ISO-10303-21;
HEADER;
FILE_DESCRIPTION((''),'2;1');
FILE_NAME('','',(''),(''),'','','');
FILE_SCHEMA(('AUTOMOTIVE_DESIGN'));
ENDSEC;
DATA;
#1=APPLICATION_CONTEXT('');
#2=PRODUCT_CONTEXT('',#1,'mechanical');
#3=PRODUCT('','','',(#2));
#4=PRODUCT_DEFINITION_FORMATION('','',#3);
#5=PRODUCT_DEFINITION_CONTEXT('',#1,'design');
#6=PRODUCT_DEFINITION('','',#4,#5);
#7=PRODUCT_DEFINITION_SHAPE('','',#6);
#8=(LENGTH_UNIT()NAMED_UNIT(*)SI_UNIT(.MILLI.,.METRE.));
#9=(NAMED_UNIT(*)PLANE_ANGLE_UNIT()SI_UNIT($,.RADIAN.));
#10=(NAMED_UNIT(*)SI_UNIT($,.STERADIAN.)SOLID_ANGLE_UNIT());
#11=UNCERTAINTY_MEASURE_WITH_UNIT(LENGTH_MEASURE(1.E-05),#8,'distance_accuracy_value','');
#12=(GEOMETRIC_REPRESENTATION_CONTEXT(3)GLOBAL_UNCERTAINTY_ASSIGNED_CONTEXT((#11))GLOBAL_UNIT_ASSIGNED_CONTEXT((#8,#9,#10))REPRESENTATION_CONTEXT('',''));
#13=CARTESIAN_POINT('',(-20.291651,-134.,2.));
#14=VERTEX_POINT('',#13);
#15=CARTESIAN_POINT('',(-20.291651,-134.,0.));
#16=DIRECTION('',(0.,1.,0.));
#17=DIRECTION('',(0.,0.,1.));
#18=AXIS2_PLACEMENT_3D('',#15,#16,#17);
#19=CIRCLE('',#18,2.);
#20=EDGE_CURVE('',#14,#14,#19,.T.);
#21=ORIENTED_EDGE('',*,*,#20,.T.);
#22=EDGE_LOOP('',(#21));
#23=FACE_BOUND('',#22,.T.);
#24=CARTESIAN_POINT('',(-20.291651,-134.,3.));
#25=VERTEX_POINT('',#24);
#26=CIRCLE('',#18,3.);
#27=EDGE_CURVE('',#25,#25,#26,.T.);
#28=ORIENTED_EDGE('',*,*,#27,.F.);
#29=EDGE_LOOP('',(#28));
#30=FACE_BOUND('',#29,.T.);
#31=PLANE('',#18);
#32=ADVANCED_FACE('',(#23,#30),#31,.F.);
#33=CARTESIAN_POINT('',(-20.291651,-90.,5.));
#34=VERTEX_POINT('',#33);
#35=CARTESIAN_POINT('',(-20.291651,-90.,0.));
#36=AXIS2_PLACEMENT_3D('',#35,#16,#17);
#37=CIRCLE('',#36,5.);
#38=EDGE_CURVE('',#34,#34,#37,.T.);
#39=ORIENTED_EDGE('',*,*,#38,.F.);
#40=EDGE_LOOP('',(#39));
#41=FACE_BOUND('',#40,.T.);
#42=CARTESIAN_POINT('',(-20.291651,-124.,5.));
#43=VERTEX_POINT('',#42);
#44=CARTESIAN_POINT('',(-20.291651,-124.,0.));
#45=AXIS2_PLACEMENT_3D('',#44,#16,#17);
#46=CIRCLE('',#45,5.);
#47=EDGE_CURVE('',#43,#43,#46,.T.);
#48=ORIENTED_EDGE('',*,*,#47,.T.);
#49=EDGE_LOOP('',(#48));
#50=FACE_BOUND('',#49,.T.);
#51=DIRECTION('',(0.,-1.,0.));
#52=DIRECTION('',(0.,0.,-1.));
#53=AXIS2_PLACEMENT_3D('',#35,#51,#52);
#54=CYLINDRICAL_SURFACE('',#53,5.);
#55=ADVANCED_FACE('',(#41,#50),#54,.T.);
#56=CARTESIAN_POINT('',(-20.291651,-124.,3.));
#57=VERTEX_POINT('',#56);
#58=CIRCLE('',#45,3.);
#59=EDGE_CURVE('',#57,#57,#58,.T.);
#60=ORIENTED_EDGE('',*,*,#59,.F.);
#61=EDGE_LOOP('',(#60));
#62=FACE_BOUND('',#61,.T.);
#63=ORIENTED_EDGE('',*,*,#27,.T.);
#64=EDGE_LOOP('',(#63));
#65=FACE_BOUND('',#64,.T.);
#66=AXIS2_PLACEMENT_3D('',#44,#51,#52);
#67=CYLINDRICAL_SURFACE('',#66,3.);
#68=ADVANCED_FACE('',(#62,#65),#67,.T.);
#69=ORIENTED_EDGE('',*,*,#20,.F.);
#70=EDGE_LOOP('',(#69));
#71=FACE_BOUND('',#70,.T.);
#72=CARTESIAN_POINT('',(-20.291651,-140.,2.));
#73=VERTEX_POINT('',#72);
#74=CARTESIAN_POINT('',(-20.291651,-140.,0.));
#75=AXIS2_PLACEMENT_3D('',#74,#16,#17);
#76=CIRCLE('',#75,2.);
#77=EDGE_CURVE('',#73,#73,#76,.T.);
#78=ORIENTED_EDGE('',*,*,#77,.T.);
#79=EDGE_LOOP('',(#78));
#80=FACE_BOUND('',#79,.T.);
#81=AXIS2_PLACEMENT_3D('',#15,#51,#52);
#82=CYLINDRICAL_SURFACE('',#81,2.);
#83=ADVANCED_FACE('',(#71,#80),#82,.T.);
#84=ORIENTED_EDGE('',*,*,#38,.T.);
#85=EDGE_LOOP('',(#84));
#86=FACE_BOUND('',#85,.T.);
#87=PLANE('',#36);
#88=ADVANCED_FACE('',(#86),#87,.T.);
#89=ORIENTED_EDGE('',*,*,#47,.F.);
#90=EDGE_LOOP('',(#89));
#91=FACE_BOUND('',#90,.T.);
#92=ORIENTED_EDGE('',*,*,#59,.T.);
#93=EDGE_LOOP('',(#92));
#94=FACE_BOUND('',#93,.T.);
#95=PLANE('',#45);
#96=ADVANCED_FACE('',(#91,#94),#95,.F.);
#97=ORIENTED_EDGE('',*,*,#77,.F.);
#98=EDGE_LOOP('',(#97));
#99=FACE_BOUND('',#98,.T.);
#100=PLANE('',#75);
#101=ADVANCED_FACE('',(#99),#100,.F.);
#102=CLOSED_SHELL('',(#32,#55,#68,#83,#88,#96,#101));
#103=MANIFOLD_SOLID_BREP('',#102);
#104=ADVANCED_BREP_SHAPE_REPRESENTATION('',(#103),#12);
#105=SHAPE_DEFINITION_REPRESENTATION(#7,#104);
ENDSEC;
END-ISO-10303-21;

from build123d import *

# Parameters (mm, degrees)
M4_THREAD_BLANK_SKETCH_R = 2
M4_THREAD_BLANK_DEPTH    = 6
LOCATING_SPIGOT_SKETCH_R = 3
LOCATING_SPIGOT_DEPTH    = 10
GUIDE_SHOULDER_SKETCH_R  = 5
GUIDE_SHOULDER_DEPTH     = 34


with BuildPart() as part:
    # M4 Thread Blank Sketch → M4 Thread Blank (new body)
    with BuildSketch(Plane(origin=(0, -140, 0), x_dir=(1, 0, 0), z_dir=(0, 1, 0))):
        with Locations(Location((-20.291651246, 0, 0), (0, 0, 270))):
            Circle(M4_THREAD_BLANK_SKETCH_R)
    extrude(amount=M4_THREAD_BLANK_DEPTH)

    # Locating Spigot Sketch → Locating Spigot (add)
    with BuildSketch(Plane(origin=(0, -134, 0), x_dir=(1, 0, 0), z_dir=(0, 1, 0))):
        with Locations(Location((-20.291651246, 0, 0), (0, 0, 270))):
            Circle(LOCATING_SPIGOT_SKETCH_R)
    extrude(amount=LOCATING_SPIGOT_DEPTH)

    # Guide Shoulder Sketch → Guide Shoulder (add)
    with BuildSketch(Plane(origin=(0, -124, 0), x_dir=(1, 0, 0), z_dir=(0, 1, 0))):
        with Locations(Location((-20.291651246, 0, 0), (0, 0, 270))):
            Circle(GUIDE_SHOULDER_SKETCH_R)
    extrude(amount=GUIDE_SHOULDER_DEPTH)


solid = part.part
